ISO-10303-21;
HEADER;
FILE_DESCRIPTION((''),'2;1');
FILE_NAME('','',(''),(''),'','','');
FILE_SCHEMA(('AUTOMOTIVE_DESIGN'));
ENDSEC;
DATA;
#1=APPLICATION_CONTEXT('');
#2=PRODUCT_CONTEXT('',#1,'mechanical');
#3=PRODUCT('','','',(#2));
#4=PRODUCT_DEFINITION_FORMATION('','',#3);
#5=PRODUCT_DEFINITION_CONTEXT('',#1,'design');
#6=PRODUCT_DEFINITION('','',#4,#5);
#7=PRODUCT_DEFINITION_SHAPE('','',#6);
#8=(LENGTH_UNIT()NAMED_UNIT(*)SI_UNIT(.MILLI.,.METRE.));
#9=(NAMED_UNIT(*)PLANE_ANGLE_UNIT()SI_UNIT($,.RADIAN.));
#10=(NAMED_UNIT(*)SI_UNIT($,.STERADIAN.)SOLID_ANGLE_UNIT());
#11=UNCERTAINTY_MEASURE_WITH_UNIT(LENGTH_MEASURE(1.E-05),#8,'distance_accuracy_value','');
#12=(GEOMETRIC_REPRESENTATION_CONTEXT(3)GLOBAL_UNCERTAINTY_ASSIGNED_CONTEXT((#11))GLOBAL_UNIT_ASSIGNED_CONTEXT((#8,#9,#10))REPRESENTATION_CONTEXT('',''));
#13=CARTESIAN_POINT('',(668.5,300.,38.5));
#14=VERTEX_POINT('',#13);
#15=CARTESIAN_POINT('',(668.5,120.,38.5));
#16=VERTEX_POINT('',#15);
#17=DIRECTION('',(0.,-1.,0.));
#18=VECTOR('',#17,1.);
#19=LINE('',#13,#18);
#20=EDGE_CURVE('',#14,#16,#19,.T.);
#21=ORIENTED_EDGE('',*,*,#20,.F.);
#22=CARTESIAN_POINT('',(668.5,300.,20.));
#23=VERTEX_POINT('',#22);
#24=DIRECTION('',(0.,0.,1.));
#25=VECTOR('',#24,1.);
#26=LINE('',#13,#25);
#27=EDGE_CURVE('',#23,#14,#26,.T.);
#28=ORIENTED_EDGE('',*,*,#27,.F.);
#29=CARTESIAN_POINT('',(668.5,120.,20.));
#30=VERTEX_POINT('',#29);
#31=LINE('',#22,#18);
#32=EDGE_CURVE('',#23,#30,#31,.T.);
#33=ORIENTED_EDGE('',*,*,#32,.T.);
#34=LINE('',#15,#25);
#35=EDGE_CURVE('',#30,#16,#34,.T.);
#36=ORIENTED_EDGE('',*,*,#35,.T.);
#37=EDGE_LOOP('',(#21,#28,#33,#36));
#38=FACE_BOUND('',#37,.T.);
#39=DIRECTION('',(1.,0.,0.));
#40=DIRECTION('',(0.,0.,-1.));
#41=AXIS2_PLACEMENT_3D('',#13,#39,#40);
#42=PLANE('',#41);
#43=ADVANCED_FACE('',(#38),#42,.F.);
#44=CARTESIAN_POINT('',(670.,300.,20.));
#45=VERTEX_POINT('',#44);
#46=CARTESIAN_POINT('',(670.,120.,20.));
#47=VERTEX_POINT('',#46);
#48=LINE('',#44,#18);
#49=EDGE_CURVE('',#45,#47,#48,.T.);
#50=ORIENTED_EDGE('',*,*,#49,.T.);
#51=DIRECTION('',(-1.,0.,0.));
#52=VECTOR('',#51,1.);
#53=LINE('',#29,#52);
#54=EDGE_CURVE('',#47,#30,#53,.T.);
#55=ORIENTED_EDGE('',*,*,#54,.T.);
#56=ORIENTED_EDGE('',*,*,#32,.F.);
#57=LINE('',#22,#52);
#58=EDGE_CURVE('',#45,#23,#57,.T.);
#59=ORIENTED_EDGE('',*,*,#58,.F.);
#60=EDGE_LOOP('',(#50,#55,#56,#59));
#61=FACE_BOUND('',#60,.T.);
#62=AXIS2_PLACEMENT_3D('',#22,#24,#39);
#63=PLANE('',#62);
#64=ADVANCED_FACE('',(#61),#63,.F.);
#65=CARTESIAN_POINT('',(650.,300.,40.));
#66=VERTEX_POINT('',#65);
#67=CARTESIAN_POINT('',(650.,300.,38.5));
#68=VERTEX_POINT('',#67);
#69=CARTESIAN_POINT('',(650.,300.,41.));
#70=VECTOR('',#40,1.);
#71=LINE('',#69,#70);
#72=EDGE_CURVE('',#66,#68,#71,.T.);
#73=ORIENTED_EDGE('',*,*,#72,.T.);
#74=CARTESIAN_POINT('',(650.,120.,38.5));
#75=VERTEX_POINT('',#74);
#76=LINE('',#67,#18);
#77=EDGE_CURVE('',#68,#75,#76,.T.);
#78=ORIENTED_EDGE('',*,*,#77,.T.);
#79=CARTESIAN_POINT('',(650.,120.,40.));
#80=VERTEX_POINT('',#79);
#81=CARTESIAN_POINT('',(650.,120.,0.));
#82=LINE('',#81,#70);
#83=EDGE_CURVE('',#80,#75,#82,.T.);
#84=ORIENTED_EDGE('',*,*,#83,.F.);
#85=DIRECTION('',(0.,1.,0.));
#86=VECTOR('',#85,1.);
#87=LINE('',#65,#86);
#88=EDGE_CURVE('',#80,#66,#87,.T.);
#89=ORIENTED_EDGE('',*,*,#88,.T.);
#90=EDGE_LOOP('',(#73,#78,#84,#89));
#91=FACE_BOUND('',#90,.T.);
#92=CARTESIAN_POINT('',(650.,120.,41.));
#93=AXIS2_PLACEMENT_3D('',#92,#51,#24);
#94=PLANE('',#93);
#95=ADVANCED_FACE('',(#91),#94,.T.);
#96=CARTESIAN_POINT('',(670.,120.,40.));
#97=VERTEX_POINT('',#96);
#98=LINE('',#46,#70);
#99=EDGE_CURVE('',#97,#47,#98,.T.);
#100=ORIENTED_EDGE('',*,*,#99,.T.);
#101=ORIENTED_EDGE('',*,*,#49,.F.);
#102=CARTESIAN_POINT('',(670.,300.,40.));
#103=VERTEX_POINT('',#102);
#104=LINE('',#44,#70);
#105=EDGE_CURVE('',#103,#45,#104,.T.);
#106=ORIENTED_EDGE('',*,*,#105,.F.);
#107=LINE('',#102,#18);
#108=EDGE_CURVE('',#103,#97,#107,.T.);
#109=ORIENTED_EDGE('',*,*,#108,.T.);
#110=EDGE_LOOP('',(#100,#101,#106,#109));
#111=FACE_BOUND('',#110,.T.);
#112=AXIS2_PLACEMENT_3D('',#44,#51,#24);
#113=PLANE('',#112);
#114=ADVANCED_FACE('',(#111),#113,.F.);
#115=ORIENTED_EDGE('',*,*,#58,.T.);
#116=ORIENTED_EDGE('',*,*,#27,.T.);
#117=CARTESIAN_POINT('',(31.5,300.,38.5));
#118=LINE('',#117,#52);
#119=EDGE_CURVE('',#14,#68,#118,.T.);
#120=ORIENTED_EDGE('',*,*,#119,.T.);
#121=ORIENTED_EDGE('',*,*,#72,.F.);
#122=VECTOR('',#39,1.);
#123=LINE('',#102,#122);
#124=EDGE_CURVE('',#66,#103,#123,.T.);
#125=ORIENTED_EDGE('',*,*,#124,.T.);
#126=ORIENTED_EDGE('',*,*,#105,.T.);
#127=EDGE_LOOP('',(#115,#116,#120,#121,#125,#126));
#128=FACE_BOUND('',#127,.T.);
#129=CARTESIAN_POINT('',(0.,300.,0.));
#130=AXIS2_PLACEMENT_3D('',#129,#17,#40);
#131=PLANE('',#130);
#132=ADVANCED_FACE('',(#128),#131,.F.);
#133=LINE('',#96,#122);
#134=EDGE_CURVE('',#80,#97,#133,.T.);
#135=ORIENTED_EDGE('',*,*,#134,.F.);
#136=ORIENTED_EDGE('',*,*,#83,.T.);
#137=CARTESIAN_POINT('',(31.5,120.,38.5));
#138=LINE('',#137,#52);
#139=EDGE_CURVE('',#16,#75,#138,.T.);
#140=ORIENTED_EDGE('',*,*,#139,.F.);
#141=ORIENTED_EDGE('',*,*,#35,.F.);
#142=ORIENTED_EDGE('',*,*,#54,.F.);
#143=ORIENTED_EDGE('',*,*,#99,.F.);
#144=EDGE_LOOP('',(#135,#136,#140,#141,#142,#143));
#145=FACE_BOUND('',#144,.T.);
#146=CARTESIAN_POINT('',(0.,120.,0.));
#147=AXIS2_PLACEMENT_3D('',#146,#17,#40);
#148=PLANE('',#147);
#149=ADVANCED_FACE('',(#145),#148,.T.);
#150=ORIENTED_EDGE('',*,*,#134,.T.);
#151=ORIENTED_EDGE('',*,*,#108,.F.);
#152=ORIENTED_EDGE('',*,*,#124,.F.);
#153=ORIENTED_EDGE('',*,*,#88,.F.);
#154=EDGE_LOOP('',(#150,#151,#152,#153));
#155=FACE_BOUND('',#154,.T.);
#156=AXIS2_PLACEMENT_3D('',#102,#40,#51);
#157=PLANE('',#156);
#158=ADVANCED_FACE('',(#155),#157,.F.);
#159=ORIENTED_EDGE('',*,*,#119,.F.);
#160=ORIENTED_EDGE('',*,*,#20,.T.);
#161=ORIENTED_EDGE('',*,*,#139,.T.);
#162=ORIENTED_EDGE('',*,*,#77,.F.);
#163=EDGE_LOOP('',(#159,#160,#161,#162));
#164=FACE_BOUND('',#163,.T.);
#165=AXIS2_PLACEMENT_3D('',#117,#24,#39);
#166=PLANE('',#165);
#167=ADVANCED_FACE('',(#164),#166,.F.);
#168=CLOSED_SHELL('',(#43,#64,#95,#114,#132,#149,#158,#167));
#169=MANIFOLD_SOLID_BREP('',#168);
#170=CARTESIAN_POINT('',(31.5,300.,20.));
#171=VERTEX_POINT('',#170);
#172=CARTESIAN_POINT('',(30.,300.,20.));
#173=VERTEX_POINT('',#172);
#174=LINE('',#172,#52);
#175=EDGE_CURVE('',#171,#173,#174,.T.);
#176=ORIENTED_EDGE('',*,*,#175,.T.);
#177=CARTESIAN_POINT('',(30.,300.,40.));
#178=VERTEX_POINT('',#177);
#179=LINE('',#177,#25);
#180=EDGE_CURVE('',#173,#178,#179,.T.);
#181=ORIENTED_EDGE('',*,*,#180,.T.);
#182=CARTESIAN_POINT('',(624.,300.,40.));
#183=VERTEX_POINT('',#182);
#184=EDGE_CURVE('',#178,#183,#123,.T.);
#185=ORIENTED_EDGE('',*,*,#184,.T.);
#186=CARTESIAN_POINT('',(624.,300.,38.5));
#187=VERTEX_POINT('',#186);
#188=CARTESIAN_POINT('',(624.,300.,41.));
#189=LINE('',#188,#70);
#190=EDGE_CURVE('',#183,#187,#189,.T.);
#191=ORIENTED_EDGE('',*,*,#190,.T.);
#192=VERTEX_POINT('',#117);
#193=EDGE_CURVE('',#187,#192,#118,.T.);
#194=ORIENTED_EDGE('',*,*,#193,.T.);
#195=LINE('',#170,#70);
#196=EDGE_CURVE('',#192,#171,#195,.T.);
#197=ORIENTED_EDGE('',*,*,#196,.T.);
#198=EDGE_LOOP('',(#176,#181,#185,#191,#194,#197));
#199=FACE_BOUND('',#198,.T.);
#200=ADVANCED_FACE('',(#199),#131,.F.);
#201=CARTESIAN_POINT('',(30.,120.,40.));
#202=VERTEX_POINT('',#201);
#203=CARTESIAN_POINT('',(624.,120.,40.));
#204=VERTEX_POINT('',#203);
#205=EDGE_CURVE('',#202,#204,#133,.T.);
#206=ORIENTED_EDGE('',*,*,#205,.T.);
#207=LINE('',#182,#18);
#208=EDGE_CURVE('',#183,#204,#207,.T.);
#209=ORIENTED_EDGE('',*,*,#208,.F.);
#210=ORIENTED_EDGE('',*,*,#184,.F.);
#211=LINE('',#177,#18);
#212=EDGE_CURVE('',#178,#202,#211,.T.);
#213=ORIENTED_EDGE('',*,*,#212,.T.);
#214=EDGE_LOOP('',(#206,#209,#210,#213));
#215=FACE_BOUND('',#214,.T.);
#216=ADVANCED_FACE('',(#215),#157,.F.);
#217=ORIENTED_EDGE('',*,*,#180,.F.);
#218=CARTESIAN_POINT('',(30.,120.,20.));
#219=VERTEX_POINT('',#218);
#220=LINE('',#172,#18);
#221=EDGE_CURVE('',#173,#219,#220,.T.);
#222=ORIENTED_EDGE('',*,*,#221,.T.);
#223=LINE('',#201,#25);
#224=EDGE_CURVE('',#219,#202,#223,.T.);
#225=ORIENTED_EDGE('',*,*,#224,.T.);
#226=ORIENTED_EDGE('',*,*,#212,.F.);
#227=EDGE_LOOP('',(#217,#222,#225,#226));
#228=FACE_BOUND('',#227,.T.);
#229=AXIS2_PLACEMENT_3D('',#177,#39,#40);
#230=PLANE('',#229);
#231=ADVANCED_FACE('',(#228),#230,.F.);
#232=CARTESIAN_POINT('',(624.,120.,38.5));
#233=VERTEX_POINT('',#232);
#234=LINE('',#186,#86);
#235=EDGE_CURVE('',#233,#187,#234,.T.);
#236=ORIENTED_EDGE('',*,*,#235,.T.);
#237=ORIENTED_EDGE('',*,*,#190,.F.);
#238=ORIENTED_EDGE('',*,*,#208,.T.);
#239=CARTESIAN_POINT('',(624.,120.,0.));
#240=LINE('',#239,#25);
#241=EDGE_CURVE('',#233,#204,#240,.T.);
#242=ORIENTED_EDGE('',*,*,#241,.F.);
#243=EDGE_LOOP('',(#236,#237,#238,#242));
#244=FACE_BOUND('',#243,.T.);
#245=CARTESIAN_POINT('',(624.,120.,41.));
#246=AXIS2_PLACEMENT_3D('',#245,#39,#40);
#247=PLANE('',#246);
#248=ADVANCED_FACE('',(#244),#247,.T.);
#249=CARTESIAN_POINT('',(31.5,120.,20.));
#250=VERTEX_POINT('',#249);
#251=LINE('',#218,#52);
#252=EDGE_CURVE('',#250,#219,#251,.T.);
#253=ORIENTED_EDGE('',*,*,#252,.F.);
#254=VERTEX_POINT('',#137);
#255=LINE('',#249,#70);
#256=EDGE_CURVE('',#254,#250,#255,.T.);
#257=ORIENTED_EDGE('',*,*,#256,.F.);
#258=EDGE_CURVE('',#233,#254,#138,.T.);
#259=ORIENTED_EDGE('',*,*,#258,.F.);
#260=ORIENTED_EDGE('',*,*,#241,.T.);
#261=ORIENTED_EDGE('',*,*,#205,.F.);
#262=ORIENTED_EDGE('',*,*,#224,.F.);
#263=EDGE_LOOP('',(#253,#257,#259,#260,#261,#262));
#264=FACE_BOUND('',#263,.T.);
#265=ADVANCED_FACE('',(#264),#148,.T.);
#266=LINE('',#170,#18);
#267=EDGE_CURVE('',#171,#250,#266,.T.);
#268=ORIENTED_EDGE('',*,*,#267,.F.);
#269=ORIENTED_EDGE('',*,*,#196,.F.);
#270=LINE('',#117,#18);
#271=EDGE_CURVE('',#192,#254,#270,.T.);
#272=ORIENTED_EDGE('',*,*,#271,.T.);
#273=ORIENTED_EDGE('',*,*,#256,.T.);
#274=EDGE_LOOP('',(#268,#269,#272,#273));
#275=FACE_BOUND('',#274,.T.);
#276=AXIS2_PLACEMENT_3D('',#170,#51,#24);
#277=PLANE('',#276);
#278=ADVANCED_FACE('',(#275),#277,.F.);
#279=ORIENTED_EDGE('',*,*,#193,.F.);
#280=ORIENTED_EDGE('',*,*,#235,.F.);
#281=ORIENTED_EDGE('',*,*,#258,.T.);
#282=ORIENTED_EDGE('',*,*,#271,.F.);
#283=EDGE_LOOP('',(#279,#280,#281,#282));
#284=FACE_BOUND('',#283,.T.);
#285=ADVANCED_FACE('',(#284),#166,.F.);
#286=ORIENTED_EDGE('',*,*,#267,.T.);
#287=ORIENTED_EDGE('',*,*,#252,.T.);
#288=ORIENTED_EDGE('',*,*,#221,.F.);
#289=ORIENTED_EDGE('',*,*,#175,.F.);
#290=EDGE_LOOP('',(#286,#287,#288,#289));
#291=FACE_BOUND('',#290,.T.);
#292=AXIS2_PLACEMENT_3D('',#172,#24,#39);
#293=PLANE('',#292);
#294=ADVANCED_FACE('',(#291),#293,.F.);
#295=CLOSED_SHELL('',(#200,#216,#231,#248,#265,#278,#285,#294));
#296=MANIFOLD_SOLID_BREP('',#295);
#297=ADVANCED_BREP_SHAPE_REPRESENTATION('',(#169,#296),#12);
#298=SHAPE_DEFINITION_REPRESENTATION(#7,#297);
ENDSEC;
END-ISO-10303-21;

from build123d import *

# Parameters (mm, degrees)
PACK_PANO_KAPAGI_KAPAK_1_START = 120
PACK_PANO_KAPAGI_KAPAK_1_DEPTH = 180
PACK_PANO_KAPAGI_KAPAK_2_START = 27
SKETCH2_W                      = 26
SKETCH2_H                      = 180
PACK_PANO_KAPAGI_KAPAK_2_DEPTH = 14


with BuildPart() as part:
    # Sketch1 → PACK_pano_kapagi_kapak_1 (new body)
    with BuildSketch(Plane(origin=(0, 0, 0), x_dir=(1, 0, 0), z_dir=(0, 1, 0)).offset(PACK_PANO_KAPAGI_KAPAK_1_START)):
        Polygon((30, -40), (30, -20), (31.5, -20), (31.5, -38.5), (668.5, -38.5), (668.5, -20), (670, -20), (670, -40), align=None)
    extrude(amount=PACK_PANO_KAPAGI_KAPAK_1_DEPTH)

    # Sketch2 → PACK_pano_kapagi_kapak_2 (cut)
    with BuildSketch(Plane.XY.offset(PACK_PANO_KAPAGI_KAPAK_2_START)):
        with Locations((637, 210)):
            Rectangle(SKETCH2_W, SKETCH2_H)
    extrude(amount=PACK_PANO_KAPAGI_KAPAK_2_DEPTH, mode=Mode.SUBTRACT)


with BuildPart() as pack_pano_kapagi_kapak_2_piece_1:
    # of the separate pieces the step leaves, piece 1, a body of its own (pack_pano_kapagi_kapak_2_pieces)
    add(part.part.solids().sort_by_distance((30, 120, 40))[0])


with BuildPart() as pack_pano_kapagi_kapak_2_piece_2:
    # of the separate pieces the step leaves, piece 2, a body of its own (pack_pano_kapagi_kapak_2_pieces)
    add(part.part.solids().sort_by_distance((670, 120, 40))[0])


solid = Compound([pack_pano_kapagi_kapak_2_piece_1.part, pack_pano_kapagi_kapak_2_piece_2.part])
